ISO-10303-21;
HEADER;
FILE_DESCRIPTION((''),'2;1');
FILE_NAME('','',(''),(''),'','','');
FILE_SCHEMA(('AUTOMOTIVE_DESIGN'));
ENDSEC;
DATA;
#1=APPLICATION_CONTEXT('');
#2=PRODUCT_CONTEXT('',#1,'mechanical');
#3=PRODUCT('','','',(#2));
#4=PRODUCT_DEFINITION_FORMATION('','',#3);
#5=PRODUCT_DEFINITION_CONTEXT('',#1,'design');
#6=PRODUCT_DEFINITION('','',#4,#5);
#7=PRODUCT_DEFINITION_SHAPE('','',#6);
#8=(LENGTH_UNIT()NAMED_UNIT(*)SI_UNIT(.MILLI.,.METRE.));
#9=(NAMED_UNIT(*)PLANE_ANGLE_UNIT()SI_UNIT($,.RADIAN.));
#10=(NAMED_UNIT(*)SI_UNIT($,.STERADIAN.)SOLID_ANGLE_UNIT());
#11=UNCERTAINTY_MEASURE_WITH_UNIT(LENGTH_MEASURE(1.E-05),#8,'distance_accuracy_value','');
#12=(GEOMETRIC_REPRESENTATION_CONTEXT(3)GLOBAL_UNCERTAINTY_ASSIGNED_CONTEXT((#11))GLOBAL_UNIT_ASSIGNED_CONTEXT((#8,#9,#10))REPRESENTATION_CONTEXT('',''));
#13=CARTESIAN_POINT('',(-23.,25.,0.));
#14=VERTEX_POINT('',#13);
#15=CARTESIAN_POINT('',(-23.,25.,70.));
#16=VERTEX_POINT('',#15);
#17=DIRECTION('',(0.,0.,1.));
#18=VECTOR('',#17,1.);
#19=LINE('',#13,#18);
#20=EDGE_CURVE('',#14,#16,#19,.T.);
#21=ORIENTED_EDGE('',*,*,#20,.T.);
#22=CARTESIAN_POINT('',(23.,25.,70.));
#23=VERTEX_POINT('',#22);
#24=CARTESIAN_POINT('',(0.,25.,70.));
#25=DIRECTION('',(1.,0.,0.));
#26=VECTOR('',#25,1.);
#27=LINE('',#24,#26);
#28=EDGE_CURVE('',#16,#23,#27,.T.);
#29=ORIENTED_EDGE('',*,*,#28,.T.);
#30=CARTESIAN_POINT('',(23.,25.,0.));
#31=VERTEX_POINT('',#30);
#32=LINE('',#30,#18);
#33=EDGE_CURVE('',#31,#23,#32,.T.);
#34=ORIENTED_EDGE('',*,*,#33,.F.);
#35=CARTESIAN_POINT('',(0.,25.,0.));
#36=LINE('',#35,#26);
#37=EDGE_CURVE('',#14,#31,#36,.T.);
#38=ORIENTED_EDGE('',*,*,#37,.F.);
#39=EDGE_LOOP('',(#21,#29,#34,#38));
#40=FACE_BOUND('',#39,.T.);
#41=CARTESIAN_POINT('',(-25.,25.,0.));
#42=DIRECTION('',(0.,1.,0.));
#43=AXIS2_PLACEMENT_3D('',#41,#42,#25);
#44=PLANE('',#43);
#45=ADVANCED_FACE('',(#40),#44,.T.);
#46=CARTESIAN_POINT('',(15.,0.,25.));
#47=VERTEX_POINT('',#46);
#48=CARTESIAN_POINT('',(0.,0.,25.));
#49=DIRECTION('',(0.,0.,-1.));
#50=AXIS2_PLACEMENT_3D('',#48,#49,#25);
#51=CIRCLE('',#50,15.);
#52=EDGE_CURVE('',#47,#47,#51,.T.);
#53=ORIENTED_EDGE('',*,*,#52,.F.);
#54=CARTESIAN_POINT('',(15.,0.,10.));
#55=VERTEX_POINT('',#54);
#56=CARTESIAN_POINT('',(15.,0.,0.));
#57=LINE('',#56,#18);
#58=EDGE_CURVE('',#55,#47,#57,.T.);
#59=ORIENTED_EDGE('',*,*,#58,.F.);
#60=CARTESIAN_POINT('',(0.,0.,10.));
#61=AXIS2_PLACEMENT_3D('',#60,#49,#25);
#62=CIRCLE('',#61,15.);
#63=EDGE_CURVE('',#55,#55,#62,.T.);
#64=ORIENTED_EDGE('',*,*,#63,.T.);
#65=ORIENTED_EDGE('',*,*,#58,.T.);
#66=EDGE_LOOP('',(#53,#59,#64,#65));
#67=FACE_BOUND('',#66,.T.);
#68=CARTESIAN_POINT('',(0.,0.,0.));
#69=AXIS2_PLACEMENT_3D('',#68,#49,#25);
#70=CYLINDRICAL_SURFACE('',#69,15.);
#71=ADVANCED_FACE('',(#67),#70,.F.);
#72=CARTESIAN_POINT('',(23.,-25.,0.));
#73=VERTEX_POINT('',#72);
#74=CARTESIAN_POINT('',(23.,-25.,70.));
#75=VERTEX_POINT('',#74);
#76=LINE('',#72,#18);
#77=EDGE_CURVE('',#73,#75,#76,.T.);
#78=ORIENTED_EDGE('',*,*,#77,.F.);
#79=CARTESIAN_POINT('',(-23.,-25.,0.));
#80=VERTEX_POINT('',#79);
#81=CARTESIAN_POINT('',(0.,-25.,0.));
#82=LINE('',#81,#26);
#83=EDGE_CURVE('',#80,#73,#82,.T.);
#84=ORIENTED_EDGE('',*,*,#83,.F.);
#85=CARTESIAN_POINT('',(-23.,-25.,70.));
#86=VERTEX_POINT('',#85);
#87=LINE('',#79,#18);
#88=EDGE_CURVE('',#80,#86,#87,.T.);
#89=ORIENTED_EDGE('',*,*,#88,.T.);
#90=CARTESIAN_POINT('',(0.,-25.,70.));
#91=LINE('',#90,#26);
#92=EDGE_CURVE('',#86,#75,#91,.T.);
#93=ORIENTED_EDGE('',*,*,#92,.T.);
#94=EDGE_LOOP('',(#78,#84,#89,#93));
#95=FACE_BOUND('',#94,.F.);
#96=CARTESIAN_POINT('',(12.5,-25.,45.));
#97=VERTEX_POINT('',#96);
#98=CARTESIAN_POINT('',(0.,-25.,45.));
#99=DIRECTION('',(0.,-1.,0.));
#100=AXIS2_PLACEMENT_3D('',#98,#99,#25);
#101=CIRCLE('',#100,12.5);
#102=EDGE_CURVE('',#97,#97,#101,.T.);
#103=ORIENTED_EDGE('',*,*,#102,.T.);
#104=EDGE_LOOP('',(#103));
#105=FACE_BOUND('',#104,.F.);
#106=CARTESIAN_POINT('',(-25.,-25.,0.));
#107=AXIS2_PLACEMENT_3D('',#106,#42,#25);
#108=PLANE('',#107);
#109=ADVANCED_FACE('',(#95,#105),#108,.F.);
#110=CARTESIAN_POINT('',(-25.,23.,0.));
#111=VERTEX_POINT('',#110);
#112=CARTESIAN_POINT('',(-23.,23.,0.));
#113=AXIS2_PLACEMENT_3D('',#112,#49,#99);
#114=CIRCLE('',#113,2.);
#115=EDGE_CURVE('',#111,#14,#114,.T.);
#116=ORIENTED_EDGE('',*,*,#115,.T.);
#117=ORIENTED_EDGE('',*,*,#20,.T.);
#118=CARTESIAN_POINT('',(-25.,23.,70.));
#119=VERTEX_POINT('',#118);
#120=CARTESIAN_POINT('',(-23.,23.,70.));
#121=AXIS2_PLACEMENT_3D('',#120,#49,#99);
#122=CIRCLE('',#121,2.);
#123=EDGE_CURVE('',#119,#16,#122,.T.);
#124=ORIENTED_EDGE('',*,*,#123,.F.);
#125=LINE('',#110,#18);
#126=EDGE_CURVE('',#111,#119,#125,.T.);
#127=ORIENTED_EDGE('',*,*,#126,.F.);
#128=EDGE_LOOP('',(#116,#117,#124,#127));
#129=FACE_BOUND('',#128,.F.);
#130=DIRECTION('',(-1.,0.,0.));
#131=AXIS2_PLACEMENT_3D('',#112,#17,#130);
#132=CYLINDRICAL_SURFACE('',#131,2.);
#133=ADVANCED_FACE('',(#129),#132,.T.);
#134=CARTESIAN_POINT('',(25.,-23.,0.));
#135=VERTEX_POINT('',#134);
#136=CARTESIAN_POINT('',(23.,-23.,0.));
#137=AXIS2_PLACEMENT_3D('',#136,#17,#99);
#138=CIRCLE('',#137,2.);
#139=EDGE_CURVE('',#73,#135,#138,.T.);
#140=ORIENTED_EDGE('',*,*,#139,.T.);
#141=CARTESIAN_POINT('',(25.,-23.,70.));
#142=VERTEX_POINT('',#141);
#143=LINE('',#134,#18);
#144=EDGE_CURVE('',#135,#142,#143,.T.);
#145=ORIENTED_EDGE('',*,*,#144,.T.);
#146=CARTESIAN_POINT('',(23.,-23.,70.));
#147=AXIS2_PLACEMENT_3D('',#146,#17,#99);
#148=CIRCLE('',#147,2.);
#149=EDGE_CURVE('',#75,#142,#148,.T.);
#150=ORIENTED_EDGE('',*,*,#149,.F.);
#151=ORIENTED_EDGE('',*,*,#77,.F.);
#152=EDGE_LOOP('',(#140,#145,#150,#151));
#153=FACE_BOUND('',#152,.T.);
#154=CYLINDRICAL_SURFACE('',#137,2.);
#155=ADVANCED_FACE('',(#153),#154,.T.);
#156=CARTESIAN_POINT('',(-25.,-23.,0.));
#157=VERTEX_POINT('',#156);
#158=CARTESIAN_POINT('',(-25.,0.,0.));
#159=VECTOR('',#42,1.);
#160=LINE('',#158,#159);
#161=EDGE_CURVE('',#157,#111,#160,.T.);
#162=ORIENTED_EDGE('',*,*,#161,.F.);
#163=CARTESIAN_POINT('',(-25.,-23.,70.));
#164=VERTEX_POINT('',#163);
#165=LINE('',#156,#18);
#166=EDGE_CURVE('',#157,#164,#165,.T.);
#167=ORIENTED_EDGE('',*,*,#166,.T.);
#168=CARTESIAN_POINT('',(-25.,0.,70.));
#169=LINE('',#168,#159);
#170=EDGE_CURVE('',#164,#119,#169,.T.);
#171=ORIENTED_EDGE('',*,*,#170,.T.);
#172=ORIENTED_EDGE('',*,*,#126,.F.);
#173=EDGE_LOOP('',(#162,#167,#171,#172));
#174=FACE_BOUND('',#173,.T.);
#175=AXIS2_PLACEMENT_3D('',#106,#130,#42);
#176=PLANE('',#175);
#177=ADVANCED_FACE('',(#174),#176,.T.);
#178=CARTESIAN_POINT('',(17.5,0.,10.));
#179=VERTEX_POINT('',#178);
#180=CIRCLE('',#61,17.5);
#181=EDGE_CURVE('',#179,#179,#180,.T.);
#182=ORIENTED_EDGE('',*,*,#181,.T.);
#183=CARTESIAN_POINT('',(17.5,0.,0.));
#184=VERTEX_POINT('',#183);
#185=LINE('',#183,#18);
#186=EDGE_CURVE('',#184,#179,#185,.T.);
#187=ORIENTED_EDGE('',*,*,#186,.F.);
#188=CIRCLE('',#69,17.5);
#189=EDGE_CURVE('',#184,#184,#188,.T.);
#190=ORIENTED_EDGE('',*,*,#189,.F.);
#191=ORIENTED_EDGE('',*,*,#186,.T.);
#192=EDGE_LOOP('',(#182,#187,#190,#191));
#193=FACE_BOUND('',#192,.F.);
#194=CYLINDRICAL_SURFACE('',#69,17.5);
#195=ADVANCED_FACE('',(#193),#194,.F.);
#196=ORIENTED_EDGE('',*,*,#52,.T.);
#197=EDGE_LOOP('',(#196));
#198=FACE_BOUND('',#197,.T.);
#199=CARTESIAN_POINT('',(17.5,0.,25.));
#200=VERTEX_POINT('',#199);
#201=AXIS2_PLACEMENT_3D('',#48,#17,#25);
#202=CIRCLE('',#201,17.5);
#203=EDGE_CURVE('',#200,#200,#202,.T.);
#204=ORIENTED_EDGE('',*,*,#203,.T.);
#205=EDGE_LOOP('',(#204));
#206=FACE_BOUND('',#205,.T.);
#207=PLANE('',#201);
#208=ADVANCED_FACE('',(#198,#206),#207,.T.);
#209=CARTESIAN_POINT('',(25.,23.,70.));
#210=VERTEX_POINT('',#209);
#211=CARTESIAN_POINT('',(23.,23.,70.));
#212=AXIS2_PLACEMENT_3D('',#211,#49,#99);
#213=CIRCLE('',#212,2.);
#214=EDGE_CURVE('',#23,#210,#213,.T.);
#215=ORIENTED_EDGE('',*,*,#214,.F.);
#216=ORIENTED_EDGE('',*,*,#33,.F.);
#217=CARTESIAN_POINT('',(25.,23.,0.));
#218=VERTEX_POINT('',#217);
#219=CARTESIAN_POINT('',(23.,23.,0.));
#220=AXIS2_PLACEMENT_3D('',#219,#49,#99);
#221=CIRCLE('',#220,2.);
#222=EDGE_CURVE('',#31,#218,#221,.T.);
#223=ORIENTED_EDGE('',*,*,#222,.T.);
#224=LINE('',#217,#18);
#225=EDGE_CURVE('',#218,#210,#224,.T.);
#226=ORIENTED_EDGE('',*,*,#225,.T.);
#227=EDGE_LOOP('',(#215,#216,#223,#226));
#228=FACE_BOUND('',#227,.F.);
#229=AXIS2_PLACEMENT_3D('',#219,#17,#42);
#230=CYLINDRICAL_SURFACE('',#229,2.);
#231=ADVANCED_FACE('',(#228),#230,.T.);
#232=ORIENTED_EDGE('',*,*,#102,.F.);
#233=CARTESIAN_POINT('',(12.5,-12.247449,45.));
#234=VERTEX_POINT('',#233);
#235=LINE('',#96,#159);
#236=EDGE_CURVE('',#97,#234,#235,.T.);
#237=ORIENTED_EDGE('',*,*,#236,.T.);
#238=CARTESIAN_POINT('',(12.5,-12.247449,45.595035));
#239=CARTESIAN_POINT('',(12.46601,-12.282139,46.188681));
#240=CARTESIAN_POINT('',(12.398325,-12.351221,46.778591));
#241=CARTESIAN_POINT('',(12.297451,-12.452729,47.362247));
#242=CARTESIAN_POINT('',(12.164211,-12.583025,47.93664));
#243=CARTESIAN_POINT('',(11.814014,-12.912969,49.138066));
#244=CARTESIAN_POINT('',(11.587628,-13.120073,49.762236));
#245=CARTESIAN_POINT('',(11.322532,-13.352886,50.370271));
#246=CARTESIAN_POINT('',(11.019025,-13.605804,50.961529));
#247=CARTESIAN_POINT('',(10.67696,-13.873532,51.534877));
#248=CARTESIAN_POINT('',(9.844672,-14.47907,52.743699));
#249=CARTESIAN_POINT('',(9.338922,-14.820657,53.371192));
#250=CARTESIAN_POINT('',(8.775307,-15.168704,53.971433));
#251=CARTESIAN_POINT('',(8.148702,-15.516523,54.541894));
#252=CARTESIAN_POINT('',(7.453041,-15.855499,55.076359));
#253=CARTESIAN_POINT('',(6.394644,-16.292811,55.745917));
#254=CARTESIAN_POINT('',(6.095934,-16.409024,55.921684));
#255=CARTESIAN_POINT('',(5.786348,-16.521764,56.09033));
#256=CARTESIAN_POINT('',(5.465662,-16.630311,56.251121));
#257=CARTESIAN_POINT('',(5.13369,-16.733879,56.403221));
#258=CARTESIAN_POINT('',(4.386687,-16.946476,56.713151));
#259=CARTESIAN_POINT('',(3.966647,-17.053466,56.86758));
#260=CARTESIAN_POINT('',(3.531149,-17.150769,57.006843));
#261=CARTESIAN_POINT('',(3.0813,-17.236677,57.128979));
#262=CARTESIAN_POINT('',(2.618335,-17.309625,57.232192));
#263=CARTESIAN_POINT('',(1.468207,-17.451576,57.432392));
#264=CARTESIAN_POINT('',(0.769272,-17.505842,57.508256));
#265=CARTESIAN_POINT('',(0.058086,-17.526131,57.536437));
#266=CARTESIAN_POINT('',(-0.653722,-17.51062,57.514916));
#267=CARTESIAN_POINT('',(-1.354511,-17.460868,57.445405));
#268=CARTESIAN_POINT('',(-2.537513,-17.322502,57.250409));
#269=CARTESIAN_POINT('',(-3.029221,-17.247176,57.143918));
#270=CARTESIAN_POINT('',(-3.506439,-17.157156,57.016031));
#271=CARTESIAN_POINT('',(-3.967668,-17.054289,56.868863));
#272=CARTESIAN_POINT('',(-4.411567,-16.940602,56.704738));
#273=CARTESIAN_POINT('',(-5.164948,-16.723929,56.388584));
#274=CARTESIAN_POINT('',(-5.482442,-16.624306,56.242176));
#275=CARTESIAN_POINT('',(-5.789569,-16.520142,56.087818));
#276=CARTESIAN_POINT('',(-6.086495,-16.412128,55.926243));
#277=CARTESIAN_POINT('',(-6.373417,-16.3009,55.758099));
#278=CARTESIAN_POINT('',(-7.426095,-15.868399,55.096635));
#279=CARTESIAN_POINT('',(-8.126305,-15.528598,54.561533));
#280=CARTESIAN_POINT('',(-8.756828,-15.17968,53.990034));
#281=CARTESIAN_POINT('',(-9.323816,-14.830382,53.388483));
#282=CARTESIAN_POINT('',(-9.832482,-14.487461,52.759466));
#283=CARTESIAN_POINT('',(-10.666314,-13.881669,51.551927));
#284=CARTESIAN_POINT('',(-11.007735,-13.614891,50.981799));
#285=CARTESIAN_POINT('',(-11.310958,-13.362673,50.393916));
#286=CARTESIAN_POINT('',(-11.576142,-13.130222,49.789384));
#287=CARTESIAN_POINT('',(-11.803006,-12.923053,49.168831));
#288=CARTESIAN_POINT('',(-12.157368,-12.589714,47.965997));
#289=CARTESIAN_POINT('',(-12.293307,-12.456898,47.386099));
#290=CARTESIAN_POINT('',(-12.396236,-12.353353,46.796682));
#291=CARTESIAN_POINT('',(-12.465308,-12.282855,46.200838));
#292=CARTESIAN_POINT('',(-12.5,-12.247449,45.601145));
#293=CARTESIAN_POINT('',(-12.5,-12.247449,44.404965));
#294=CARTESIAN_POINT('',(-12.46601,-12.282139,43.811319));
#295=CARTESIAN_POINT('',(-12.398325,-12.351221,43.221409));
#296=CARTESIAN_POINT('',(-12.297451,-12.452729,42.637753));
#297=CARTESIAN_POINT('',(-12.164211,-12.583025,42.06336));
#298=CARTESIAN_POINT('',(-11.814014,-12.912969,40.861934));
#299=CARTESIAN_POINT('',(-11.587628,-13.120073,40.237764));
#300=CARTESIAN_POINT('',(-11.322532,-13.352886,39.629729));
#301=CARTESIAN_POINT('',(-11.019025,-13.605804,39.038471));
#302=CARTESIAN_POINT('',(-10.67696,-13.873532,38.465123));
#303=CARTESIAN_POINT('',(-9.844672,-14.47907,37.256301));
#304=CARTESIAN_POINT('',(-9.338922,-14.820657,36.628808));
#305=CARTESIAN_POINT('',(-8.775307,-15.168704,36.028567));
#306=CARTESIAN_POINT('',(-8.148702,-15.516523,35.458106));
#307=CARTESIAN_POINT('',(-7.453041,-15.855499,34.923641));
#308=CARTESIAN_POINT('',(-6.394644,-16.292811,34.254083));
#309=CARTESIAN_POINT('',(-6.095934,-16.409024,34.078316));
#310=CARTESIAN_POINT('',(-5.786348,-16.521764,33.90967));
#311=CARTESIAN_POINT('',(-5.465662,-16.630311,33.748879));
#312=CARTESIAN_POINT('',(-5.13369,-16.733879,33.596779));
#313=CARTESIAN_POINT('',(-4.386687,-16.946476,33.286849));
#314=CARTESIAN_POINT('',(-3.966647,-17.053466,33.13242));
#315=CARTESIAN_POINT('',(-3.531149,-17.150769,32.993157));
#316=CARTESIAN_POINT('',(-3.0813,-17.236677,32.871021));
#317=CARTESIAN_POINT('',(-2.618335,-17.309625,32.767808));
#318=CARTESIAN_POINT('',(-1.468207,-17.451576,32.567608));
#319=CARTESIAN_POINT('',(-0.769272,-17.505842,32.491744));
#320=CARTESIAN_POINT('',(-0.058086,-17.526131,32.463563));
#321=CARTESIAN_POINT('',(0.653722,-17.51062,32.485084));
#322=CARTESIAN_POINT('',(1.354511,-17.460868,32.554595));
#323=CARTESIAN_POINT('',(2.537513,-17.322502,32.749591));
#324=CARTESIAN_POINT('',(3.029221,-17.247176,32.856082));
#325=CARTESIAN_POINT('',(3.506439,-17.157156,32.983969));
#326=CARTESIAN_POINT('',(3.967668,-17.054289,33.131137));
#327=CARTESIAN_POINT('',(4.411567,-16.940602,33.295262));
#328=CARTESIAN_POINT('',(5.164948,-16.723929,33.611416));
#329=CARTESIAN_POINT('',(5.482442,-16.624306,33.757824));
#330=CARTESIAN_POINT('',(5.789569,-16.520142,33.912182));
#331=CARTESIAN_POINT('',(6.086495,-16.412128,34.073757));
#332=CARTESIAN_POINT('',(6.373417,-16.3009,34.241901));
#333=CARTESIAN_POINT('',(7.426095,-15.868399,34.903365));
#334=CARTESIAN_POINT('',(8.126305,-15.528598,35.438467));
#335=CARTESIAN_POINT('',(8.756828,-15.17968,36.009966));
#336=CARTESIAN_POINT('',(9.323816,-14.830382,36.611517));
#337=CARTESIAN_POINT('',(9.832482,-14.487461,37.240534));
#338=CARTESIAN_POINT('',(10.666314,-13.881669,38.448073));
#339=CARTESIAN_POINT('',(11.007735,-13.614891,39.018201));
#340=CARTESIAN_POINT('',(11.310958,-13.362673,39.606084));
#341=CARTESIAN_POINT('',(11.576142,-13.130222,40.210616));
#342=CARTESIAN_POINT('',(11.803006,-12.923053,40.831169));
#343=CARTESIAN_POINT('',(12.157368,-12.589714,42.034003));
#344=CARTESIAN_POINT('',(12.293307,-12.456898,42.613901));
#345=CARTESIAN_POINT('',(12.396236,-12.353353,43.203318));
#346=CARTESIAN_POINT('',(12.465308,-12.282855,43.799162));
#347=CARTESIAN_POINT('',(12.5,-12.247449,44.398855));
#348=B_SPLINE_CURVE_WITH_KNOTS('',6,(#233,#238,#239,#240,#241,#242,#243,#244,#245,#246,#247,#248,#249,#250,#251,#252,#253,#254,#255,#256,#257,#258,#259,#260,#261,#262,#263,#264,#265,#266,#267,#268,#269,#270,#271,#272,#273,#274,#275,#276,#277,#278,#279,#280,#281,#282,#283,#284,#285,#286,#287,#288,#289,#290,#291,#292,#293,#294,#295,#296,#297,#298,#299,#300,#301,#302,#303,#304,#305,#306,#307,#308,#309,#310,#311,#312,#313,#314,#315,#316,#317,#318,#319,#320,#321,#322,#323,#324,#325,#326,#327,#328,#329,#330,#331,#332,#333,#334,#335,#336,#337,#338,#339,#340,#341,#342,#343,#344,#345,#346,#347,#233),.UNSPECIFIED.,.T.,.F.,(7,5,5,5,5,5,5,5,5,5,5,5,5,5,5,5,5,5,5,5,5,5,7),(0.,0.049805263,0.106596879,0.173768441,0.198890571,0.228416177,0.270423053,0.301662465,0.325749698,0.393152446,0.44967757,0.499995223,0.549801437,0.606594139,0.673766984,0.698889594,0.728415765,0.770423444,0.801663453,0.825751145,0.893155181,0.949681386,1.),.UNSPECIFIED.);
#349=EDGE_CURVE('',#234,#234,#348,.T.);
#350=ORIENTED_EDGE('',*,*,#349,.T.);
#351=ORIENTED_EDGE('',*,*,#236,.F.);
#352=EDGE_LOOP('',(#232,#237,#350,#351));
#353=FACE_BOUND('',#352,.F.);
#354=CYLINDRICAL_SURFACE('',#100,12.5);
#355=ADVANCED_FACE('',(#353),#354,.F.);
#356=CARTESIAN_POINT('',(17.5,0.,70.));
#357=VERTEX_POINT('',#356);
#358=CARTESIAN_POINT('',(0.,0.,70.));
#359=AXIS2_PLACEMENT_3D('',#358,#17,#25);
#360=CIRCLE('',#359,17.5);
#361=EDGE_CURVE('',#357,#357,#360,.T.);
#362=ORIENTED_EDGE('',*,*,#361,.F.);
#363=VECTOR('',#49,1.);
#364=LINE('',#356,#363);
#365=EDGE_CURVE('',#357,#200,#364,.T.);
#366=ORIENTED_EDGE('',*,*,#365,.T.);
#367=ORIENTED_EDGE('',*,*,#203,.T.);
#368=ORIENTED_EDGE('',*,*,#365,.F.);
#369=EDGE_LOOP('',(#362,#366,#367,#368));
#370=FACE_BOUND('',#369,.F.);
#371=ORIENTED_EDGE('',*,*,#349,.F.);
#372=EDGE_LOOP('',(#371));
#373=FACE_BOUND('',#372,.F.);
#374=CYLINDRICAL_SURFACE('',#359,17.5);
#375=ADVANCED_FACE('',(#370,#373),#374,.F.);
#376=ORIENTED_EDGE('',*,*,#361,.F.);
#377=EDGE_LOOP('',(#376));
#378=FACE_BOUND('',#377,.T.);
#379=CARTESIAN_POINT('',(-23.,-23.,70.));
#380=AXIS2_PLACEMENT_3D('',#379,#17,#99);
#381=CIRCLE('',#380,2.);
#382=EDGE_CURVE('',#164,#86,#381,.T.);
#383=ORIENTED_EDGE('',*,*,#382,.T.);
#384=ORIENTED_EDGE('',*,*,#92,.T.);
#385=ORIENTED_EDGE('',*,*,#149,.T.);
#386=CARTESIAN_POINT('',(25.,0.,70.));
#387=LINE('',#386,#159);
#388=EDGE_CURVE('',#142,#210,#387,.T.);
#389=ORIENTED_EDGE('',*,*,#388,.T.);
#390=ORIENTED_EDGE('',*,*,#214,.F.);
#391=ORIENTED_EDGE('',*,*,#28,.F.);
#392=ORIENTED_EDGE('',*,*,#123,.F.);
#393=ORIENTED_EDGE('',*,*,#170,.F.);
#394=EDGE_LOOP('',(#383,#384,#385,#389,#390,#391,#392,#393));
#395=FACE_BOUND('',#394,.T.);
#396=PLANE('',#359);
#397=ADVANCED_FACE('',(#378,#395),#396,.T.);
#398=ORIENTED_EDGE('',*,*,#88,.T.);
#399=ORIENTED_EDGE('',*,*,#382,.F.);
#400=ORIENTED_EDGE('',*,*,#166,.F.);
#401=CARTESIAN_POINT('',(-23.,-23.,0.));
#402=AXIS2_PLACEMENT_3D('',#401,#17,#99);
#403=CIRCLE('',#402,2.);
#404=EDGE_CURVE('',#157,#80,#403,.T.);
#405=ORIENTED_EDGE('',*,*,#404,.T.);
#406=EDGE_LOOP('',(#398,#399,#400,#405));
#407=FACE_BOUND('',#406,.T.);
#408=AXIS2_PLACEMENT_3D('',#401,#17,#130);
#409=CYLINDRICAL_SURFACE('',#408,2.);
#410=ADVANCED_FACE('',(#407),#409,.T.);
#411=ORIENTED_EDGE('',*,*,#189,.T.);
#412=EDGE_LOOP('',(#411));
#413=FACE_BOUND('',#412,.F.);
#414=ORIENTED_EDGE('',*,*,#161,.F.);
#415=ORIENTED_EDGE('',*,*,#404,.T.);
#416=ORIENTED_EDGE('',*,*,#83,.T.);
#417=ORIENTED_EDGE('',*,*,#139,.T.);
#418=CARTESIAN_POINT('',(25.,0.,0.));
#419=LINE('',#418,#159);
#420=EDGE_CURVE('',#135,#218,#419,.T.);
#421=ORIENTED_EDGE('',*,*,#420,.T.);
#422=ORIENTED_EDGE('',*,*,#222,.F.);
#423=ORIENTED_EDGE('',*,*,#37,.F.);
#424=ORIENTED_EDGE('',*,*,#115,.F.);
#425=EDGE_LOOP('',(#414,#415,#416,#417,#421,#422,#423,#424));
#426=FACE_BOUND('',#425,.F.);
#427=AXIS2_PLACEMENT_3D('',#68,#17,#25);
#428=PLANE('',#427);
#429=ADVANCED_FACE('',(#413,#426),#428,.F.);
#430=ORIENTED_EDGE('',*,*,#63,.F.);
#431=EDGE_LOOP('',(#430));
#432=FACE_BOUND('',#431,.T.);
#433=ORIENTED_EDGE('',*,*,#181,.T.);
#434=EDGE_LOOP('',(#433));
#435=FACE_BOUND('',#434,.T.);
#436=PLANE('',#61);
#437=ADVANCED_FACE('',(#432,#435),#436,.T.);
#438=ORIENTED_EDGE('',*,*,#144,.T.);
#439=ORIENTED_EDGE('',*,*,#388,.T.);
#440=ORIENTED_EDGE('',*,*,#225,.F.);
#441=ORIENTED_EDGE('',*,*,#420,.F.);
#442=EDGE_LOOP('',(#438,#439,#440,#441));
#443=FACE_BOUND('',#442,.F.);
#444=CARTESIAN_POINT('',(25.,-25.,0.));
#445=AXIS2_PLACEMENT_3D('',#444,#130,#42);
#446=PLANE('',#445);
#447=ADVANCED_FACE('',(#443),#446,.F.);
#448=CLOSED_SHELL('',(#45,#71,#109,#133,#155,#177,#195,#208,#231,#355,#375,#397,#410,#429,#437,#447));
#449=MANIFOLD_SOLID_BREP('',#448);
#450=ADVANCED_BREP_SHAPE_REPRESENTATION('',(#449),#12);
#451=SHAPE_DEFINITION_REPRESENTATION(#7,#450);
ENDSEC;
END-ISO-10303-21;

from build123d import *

# Parameters (mm, degrees)
F0_W     = 50
F0_H     = 50
F0_R     = 15
F1_DEPTH = 70
F2_R     = 12.5
F3_DEPTH = 25
F4_R     = 17.5
F5_DEPTH = 45
F6_R     = 17.5
F7_DEPTH = 10
F8_R     = 2


with BuildPart() as f1:
    # F0 (on Top) → F1 (new body)
    with BuildSketch(Plane.XY):
        Rectangle(F0_W, F0_H)
        Circle(F0_R, mode=Mode.SUBTRACT)
    extrude(amount=F1_DEPTH)

    # F2 (on face) → F3 (cut)
    with BuildSketch(Plane.XZ.offset(25)):
        with Locations((0, 45)):
            Circle(F2_R)
    extrude(amount=-F3_DEPTH, mode=Mode.SUBTRACT)

    # F4 (on face) → F5 (cut)
    with BuildSketch(Plane.XY.offset(70)):
        Circle(F4_R)
    extrude(amount=-F5_DEPTH, mode=Mode.SUBTRACT)

    # F6 (on face) → F7 (cut)
    with BuildSketch(Plane(origin=(0, 0, 0), x_dir=(1, 0, 0), z_dir=(0, 0, -1))):
        Circle(F6_R)
    extrude(amount=-F7_DEPTH, mode=Mode.SUBTRACT)

    # F8
    f8_edges = [f1.edges().sort_by_distance(p)[0] for p in [
        (-25, -25, 35),
        (25, -25, 35),
        (25, 25, 35),
        (-25, 25, 35),
    ]]
    fillet(f8_edges, radius=F8_R)


solid = f1.part
